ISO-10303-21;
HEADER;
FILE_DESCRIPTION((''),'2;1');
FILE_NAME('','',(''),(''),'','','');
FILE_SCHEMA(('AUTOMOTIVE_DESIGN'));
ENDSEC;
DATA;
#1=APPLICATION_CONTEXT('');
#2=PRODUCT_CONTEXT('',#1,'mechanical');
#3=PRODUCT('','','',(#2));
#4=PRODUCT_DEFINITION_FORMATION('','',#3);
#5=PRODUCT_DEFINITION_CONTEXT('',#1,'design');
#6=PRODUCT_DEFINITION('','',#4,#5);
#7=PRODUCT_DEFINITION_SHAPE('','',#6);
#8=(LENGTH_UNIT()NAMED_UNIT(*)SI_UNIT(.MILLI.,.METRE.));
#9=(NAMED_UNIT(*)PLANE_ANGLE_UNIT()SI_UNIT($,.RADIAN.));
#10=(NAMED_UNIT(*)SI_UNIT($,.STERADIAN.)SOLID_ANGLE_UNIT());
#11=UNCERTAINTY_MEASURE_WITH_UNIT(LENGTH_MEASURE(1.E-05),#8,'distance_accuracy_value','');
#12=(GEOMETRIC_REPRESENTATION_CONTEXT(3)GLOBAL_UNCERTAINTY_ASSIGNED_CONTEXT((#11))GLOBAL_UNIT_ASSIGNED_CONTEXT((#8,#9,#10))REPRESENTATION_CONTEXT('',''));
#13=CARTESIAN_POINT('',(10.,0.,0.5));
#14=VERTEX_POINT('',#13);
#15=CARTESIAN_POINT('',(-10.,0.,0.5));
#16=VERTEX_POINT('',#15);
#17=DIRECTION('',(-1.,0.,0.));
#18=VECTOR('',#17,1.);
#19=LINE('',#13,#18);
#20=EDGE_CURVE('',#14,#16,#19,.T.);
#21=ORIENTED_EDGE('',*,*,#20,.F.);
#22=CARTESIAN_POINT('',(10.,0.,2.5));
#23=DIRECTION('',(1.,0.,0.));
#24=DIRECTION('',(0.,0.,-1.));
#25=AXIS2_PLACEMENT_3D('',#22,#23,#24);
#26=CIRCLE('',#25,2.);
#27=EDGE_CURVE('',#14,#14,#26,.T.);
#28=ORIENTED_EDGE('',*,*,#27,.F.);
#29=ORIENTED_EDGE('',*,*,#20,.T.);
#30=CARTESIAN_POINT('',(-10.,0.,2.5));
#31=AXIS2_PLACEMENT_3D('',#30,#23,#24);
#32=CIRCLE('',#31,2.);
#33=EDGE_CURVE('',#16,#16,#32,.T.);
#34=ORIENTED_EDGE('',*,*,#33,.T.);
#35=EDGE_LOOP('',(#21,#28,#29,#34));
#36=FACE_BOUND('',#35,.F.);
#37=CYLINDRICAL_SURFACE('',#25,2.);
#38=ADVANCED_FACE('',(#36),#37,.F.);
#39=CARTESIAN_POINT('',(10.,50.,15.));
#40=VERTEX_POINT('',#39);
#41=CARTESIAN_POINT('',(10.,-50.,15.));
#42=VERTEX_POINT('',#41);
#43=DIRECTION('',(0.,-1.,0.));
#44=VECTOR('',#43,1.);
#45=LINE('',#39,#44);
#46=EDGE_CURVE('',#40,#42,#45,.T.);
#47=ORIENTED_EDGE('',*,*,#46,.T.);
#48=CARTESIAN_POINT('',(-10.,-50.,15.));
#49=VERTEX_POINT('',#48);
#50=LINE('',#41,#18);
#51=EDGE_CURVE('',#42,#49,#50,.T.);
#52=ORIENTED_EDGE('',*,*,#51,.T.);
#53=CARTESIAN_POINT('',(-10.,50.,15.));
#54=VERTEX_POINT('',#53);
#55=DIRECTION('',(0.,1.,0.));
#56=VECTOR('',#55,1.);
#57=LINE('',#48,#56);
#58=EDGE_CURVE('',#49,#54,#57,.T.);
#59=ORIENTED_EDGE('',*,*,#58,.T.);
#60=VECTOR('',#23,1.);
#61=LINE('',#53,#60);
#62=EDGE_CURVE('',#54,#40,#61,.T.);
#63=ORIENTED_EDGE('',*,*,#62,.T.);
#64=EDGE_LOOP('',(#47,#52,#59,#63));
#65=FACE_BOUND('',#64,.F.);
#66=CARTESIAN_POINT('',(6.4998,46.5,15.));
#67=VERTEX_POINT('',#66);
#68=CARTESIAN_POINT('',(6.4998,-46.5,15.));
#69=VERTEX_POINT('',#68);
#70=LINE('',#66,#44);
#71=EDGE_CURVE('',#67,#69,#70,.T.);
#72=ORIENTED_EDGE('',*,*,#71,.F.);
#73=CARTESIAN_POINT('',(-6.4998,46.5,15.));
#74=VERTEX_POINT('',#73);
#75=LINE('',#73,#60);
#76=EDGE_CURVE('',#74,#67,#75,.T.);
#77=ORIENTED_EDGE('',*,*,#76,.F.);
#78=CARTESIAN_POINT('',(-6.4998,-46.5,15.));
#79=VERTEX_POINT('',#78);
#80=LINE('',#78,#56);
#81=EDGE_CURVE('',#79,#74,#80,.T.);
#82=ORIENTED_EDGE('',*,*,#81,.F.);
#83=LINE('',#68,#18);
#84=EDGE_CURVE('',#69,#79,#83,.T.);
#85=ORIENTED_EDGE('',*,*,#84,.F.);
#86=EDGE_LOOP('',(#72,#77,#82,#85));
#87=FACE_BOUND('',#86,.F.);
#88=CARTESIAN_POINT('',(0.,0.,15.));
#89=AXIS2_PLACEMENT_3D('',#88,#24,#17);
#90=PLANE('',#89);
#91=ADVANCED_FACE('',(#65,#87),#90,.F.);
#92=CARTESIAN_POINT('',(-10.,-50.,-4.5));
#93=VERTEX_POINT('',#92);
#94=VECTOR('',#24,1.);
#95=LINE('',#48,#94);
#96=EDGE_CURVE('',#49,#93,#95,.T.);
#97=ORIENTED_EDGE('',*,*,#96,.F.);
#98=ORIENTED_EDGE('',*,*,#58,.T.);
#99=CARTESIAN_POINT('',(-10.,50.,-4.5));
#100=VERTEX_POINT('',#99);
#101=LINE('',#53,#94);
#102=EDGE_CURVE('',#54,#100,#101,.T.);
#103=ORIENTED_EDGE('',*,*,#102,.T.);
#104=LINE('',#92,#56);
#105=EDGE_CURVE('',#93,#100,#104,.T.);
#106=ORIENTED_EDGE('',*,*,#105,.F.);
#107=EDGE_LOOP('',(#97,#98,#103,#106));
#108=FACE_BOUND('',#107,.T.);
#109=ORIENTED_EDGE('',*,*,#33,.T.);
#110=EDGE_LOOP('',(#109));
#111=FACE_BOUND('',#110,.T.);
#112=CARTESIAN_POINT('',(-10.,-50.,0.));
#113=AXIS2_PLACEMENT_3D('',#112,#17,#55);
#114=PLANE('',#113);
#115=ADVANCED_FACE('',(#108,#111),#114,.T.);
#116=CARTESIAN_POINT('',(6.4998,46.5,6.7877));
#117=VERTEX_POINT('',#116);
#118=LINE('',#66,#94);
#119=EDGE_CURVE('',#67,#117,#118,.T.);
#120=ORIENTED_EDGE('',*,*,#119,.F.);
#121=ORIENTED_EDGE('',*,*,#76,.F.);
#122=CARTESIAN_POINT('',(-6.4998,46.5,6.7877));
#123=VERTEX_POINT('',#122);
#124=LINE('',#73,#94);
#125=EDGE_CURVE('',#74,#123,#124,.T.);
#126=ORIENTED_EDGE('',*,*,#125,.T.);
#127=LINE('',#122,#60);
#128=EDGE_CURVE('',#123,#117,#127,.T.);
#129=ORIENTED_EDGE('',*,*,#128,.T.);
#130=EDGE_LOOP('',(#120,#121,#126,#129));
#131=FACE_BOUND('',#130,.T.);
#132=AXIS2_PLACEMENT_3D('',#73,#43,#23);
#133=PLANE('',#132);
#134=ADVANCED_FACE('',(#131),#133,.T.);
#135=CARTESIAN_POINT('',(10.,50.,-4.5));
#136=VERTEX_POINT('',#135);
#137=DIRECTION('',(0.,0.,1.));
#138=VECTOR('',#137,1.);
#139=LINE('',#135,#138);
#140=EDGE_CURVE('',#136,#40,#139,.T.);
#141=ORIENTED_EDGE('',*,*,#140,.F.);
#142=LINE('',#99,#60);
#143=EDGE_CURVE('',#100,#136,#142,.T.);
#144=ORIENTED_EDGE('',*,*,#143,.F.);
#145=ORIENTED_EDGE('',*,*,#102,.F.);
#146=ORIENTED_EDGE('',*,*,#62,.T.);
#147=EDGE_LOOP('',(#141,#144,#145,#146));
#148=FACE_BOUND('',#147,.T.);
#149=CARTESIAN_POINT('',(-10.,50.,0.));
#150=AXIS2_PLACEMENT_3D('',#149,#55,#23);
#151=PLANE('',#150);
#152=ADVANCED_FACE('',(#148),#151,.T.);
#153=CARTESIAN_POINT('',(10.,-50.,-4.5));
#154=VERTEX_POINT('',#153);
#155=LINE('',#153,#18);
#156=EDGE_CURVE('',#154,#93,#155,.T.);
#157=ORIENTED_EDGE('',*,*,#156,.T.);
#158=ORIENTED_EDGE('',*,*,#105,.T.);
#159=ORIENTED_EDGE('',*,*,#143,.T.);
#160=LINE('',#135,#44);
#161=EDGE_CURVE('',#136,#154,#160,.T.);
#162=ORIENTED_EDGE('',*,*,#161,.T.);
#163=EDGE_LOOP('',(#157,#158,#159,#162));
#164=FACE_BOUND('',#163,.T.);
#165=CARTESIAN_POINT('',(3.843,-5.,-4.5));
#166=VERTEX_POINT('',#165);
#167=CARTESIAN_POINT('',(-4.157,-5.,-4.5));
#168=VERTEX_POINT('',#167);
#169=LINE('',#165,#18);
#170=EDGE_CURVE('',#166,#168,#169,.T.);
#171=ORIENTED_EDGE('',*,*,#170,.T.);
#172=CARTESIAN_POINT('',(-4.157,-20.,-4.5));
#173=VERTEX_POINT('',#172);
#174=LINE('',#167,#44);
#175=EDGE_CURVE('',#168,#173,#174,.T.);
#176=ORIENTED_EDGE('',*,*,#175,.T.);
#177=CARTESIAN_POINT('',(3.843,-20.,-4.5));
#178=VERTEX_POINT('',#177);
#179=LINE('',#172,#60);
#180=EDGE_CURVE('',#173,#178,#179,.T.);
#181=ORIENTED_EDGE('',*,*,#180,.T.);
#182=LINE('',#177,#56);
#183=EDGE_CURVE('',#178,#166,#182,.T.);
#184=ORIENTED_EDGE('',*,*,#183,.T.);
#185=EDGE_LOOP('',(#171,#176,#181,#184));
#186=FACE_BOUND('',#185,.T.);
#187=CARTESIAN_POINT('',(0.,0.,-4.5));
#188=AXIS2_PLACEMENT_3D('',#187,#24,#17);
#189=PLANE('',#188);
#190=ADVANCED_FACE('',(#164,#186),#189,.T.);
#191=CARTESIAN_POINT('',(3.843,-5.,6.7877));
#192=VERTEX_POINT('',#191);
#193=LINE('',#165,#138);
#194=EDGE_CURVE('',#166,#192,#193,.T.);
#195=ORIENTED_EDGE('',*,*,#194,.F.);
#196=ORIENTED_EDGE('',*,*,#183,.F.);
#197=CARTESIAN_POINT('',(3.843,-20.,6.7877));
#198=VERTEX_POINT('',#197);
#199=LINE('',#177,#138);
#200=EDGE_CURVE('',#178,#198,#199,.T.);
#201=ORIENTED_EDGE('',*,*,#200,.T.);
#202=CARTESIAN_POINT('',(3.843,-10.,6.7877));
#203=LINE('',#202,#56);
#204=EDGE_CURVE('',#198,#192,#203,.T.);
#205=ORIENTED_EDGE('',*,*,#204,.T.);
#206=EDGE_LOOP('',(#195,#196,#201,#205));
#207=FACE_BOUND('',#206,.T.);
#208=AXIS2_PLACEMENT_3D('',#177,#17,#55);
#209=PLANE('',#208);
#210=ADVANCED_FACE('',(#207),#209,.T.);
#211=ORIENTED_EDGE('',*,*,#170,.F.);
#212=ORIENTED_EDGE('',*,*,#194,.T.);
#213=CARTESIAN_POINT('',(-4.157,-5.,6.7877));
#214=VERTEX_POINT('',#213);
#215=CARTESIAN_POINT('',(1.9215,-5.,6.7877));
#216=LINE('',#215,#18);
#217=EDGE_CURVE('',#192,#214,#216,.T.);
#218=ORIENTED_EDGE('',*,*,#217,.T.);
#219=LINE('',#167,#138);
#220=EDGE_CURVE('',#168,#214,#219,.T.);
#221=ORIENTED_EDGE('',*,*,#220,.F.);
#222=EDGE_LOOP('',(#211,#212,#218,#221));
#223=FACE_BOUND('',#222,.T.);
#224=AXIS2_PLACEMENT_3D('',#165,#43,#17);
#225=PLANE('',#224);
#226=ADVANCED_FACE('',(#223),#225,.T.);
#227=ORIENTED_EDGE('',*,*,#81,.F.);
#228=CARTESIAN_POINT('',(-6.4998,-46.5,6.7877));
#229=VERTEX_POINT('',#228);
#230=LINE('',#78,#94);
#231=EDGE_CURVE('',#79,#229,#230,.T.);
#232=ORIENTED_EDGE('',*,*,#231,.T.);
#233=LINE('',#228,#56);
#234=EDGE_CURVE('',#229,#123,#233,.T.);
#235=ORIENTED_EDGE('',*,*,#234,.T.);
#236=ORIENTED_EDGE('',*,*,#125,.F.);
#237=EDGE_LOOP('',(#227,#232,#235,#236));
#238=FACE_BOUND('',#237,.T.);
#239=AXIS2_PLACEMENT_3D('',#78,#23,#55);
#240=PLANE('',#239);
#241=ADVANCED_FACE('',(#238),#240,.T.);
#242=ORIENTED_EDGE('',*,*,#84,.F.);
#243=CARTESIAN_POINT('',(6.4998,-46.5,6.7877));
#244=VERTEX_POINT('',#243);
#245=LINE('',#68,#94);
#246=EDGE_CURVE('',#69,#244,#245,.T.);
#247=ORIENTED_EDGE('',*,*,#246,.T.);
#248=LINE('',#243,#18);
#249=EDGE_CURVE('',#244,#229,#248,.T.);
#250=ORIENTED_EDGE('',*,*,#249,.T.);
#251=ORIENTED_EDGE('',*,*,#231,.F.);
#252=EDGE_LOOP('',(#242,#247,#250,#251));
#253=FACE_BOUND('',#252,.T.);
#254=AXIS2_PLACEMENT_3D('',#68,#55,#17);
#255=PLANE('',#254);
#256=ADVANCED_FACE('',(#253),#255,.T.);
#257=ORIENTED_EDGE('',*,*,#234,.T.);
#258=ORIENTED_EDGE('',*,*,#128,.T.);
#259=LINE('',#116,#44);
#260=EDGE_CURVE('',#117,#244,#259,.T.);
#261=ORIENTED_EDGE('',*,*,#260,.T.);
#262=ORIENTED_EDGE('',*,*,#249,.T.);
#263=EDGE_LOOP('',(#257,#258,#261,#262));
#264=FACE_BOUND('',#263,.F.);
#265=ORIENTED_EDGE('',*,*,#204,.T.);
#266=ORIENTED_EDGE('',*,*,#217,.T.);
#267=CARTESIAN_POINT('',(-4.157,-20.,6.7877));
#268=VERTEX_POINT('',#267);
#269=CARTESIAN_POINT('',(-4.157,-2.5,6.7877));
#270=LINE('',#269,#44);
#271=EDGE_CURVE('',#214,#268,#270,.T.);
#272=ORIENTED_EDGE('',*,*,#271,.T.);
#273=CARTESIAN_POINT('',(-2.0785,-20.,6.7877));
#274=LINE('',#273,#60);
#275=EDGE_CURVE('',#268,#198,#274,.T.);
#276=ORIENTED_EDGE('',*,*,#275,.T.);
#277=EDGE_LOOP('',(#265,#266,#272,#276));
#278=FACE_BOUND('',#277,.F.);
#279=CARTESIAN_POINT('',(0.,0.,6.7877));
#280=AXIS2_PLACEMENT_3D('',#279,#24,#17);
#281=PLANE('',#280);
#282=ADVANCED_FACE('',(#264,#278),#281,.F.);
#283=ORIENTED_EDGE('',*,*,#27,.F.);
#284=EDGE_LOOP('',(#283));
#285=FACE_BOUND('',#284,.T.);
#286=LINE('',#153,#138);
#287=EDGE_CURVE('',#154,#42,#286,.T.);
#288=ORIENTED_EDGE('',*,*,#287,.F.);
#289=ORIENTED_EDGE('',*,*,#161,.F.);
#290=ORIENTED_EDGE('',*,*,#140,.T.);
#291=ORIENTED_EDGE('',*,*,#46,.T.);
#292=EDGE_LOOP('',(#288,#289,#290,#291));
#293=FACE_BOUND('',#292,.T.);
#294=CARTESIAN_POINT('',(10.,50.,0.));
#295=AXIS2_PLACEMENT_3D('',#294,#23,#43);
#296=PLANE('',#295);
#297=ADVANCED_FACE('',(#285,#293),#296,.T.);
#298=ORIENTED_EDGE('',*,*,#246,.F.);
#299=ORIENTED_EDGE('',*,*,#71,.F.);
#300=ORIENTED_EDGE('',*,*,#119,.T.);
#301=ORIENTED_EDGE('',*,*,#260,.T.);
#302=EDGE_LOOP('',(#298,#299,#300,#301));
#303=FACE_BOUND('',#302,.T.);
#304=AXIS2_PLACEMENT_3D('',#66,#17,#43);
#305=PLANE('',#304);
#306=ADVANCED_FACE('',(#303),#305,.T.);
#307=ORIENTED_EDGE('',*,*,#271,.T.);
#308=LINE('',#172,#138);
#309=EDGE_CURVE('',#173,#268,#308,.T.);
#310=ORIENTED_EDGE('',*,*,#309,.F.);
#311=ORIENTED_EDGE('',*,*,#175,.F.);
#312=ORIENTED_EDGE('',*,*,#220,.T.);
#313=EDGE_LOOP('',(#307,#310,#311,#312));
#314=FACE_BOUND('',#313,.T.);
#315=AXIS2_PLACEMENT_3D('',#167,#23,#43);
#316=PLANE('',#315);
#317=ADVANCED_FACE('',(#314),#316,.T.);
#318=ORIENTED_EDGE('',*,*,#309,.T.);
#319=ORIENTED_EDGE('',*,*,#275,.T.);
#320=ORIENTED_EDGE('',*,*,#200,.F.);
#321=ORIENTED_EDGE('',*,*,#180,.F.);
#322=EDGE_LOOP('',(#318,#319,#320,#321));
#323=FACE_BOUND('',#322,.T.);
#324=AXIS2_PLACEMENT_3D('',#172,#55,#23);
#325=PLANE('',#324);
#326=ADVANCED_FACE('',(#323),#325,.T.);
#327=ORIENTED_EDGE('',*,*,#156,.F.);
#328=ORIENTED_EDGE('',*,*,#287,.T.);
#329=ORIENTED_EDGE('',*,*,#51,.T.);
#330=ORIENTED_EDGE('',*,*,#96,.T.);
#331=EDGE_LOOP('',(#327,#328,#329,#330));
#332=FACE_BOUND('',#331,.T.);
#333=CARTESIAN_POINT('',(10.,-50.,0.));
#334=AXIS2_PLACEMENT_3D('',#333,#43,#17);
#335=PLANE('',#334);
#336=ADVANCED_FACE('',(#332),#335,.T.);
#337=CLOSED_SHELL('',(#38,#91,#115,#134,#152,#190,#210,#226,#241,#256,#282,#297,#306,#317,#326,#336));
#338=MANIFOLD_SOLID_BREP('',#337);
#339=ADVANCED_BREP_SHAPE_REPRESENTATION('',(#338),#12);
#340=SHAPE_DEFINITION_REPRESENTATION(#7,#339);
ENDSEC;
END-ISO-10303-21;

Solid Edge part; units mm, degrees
sketch "Sketch1" plane through (0, 0, 0) normal (0, 0, 1) x (1, 0, 0)
  line L0 (10, -50) -> (-10, -50)
  line L1 (-10, -50) -> (-10, 50)
  line L2 (-10, 50) -> (10, 50)
  line L3 (10, 50) -> (10, -50)
  dimension "D1" = 20
  dimension "D2" = 100
extrude "Ajout_matière_1" add sketch "Sketch1" along normal blind 15
sketch "Sketch2" plane through (0, 0, 15) normal (0, 0, 1) x (1, 0, 0)
  line L0 (6.4998, -46.5) -> (-6.4998, -46.5)
  line L1 (-6.4998, -46.5) -> (-6.4998, 46.5)
  line L2 (-6.4998, 46.5) -> (6.4998, 46.5)
  line L3 (6.4998, 46.5) -> (6.4998, -46.5)
  dimension "D1" = 3.5002
  dimension "D2" = 3.5002
  dimension "D3" = 3.5
extrude "Enlèvement_matière_1" cut sketch "Sketch2" against normal blind 8.2123
sketch "Sketch3" plane through (10, 0, 7.5) normal (1, 0, 0) x (0, 0, -1)
  circle A0 centre (5, 0) radius 2
  dimension "D1" = 2.5
extrude "Cutout1" cut sketch "Sketch3" against normal through all
sketch "Sketch4" plane through (0, 0, 0) normal (0, 0, -1) x (1, 0, 0)
  line L0 (-10, -50) -> (10, -50)
  line L1 (10, -50) -> (10, 50)
  line L2 (10, 50) -> (-10, 50)
  line L3 (-10, 50) -> (-10, -50)
extrude "Ajout_matière_2" add sketch "Sketch4" along normal blind 4.5
sketch "Sketch5" plane through (0, 0, -4.5) normal (0, 0, -1) x (0, -1, 0)
  line L0 (20, -3.843) -> (5, -3.843)
  line L1 (5, -3.843) -> (5, 4.157)
  line L2 (5, 4.157) -> (20, 4.157)
  line L3 (20, 4.157) -> (20, -3.843)
  dimension "D1" = 15
  dimension "D2" = 8
  dimension "D3" = 5
extrude "Cutout2" cut sketch "Sketch5" against normal through all
properties material "Acier S235"
